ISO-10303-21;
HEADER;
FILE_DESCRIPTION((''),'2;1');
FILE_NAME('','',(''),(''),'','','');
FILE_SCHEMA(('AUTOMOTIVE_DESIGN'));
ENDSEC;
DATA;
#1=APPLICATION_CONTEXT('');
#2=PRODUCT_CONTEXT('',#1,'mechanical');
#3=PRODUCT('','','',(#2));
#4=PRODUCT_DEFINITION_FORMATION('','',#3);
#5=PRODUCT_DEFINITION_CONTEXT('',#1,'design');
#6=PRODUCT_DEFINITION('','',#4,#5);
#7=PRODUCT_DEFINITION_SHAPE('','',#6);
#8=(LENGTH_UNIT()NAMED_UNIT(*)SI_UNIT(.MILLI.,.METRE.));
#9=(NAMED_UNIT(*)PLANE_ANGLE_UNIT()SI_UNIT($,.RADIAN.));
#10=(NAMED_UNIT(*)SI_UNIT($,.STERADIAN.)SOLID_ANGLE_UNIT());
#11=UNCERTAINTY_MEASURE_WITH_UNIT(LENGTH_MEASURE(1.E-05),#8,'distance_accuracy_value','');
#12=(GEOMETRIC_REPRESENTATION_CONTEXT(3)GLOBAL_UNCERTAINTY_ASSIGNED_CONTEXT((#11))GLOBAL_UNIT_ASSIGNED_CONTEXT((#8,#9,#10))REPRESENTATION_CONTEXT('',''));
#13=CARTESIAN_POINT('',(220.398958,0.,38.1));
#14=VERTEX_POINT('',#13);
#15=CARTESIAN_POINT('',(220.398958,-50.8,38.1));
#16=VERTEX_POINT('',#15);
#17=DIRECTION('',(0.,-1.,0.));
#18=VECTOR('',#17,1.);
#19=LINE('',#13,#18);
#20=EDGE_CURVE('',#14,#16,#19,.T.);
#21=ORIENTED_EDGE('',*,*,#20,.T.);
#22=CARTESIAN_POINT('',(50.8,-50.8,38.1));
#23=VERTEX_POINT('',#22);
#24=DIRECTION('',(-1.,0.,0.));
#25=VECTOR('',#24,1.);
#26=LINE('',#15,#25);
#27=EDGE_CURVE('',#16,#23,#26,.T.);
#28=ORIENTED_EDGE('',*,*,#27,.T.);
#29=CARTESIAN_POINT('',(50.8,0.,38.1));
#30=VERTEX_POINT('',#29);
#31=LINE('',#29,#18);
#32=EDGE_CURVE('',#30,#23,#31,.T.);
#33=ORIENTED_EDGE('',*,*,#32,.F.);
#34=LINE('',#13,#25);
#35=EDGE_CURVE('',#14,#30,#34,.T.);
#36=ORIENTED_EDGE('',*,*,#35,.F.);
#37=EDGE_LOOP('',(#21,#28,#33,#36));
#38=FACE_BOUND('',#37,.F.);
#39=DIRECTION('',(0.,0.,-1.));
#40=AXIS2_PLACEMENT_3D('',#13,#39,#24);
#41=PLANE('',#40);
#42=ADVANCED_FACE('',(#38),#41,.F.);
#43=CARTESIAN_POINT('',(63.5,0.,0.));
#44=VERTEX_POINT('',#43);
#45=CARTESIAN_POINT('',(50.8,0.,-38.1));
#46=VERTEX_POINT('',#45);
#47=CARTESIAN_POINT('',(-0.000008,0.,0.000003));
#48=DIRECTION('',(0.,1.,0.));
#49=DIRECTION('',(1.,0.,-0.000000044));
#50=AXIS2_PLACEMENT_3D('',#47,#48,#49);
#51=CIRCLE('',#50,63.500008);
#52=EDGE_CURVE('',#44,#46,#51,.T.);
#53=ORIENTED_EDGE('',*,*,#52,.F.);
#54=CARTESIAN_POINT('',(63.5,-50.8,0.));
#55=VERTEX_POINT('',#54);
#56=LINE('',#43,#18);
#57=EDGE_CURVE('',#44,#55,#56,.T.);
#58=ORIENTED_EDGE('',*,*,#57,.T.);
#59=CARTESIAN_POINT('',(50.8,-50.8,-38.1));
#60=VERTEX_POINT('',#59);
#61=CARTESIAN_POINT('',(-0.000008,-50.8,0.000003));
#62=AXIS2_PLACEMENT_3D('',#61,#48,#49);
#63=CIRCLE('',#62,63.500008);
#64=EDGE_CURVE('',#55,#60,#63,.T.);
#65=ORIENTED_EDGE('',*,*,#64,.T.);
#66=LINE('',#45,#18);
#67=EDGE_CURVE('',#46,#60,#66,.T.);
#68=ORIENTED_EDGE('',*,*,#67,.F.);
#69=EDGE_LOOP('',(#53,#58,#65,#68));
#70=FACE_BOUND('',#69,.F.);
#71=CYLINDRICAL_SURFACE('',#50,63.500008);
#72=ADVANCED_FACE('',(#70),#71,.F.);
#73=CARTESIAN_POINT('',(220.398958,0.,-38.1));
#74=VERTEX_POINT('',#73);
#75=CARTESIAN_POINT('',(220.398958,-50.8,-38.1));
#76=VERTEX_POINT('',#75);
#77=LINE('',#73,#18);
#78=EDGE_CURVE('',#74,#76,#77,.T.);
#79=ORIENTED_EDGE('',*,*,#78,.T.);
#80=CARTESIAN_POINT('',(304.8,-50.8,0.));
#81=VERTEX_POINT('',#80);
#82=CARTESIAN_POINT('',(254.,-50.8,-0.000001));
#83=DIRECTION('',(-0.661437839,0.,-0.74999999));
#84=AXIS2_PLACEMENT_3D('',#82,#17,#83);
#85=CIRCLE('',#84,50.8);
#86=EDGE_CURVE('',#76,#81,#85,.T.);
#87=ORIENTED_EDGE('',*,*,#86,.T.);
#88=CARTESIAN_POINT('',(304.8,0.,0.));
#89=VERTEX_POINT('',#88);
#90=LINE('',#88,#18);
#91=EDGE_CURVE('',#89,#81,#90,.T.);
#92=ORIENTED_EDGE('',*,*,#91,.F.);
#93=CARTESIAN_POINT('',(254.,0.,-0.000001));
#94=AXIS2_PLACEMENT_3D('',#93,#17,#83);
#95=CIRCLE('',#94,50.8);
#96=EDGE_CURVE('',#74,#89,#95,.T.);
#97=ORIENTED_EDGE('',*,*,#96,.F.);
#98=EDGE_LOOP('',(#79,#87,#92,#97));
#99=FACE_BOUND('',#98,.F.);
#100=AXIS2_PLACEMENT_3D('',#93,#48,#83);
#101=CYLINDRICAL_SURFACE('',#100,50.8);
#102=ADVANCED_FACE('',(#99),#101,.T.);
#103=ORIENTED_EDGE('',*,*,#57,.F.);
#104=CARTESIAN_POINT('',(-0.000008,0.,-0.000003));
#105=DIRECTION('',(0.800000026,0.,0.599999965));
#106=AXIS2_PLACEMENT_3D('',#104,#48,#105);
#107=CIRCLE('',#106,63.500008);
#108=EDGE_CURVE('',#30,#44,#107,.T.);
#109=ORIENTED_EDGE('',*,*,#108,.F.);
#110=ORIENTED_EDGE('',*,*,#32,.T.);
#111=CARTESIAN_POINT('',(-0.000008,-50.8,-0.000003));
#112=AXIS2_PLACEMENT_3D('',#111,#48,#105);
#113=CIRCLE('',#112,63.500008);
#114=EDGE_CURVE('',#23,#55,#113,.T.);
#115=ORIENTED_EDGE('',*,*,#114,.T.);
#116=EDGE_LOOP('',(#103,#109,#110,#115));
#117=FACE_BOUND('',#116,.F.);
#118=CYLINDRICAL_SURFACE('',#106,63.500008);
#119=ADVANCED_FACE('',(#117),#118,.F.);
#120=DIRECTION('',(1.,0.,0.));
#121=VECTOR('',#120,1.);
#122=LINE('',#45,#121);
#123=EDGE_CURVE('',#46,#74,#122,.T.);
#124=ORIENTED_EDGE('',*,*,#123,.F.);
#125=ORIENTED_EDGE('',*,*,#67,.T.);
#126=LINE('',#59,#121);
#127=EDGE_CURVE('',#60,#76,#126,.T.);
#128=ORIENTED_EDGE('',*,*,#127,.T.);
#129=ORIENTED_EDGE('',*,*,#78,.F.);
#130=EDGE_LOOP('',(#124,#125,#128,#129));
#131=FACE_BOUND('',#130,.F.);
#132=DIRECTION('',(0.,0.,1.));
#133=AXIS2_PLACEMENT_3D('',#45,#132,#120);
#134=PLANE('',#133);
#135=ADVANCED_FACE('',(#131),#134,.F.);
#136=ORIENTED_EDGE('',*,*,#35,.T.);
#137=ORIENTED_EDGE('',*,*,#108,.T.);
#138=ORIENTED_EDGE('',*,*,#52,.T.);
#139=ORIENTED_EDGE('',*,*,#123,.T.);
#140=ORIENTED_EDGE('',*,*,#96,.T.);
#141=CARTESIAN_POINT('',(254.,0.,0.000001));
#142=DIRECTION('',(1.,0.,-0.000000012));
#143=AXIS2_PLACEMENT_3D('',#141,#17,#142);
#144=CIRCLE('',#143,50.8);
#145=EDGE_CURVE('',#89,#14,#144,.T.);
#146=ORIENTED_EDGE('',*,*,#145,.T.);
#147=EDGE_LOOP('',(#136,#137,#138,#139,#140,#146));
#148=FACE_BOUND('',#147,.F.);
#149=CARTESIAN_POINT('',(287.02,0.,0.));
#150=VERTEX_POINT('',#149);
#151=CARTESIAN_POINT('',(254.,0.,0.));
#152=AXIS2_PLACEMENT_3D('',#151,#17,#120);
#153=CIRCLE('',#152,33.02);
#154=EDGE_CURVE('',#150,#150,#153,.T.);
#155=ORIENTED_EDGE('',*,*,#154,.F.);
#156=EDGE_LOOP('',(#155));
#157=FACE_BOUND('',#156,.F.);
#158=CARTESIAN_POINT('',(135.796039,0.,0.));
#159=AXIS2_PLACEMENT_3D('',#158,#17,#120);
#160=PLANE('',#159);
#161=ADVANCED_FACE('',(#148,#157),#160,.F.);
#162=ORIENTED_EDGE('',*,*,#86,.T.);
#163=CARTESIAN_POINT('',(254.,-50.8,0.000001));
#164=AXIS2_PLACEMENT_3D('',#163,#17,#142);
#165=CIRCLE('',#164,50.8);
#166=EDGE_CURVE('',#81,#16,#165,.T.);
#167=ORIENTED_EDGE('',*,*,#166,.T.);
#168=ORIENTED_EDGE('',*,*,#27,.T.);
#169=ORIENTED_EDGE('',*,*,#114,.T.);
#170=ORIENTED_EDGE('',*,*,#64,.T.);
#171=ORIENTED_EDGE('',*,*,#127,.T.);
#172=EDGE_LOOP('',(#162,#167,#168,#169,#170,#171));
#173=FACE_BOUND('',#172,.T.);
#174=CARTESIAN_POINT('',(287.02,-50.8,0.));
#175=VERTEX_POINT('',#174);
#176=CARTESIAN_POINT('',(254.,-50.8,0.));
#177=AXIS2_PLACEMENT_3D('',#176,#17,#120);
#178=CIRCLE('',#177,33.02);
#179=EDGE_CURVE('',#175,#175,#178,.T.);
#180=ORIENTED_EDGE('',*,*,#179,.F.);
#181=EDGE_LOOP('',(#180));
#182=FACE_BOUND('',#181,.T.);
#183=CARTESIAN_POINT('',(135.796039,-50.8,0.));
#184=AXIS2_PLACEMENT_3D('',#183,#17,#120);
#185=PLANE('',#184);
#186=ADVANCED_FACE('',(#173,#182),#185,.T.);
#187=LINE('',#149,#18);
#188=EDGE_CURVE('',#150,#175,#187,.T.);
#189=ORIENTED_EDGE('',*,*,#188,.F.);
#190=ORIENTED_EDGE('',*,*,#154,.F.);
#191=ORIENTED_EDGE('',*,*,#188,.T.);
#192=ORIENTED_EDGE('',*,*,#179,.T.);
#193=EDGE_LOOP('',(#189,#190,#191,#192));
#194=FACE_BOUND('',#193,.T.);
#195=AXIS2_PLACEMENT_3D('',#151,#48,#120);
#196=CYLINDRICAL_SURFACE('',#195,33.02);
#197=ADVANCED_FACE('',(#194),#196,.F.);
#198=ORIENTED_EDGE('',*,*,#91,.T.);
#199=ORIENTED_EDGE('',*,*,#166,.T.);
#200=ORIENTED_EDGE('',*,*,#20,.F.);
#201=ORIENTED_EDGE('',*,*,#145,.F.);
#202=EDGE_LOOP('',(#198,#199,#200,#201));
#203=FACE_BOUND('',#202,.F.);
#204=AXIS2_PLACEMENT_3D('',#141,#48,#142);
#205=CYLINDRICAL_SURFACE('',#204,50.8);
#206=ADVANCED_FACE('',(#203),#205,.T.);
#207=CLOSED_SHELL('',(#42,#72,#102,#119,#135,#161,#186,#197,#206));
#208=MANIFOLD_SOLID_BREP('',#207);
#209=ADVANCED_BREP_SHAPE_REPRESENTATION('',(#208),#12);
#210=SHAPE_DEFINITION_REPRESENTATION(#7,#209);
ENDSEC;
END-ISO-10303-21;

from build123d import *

# Parameters (mm, degrees)
F0_R     = 33.02
F1_DEPTH = 50.8


with BuildPart() as f1:
    # F0 (on Front) → F1 (new body)
    with BuildSketch(Plane.XZ):
        with BuildLine():
            ThreePointArc((50.8, 38.1), (60.241389, 20.080463), (63.5, 0))
            ThreePointArc((63.5, 0), (60.241389, -20.080463), (50.8, -38.1))
            Line((50.8, -38.1), (220.398958, -38.1))
            ThreePointArc((220.398958, -38.1), (203.2, 0), (220.398958, 38.1))
            Line((220.398958, 38.1), (50.8, 38.1))
        make_face()
        with BuildLine():
            ThreePointArc((304.8, 0), (274.901042, 46.301042), (220.398958, 38.1))
            ThreePointArc((220.398958, 38.1), (203.2, 0), (220.398958, -38.1))
            ThreePointArc((220.398958, -38.1), (274.901042, -46.301042), (304.8, 0))
        make_face()
        with Locations((254, 0)):
            Circle(F0_R, mode=Mode.SUBTRACT)
    extrude(amount=F1_DEPTH)


solid = f1.part
